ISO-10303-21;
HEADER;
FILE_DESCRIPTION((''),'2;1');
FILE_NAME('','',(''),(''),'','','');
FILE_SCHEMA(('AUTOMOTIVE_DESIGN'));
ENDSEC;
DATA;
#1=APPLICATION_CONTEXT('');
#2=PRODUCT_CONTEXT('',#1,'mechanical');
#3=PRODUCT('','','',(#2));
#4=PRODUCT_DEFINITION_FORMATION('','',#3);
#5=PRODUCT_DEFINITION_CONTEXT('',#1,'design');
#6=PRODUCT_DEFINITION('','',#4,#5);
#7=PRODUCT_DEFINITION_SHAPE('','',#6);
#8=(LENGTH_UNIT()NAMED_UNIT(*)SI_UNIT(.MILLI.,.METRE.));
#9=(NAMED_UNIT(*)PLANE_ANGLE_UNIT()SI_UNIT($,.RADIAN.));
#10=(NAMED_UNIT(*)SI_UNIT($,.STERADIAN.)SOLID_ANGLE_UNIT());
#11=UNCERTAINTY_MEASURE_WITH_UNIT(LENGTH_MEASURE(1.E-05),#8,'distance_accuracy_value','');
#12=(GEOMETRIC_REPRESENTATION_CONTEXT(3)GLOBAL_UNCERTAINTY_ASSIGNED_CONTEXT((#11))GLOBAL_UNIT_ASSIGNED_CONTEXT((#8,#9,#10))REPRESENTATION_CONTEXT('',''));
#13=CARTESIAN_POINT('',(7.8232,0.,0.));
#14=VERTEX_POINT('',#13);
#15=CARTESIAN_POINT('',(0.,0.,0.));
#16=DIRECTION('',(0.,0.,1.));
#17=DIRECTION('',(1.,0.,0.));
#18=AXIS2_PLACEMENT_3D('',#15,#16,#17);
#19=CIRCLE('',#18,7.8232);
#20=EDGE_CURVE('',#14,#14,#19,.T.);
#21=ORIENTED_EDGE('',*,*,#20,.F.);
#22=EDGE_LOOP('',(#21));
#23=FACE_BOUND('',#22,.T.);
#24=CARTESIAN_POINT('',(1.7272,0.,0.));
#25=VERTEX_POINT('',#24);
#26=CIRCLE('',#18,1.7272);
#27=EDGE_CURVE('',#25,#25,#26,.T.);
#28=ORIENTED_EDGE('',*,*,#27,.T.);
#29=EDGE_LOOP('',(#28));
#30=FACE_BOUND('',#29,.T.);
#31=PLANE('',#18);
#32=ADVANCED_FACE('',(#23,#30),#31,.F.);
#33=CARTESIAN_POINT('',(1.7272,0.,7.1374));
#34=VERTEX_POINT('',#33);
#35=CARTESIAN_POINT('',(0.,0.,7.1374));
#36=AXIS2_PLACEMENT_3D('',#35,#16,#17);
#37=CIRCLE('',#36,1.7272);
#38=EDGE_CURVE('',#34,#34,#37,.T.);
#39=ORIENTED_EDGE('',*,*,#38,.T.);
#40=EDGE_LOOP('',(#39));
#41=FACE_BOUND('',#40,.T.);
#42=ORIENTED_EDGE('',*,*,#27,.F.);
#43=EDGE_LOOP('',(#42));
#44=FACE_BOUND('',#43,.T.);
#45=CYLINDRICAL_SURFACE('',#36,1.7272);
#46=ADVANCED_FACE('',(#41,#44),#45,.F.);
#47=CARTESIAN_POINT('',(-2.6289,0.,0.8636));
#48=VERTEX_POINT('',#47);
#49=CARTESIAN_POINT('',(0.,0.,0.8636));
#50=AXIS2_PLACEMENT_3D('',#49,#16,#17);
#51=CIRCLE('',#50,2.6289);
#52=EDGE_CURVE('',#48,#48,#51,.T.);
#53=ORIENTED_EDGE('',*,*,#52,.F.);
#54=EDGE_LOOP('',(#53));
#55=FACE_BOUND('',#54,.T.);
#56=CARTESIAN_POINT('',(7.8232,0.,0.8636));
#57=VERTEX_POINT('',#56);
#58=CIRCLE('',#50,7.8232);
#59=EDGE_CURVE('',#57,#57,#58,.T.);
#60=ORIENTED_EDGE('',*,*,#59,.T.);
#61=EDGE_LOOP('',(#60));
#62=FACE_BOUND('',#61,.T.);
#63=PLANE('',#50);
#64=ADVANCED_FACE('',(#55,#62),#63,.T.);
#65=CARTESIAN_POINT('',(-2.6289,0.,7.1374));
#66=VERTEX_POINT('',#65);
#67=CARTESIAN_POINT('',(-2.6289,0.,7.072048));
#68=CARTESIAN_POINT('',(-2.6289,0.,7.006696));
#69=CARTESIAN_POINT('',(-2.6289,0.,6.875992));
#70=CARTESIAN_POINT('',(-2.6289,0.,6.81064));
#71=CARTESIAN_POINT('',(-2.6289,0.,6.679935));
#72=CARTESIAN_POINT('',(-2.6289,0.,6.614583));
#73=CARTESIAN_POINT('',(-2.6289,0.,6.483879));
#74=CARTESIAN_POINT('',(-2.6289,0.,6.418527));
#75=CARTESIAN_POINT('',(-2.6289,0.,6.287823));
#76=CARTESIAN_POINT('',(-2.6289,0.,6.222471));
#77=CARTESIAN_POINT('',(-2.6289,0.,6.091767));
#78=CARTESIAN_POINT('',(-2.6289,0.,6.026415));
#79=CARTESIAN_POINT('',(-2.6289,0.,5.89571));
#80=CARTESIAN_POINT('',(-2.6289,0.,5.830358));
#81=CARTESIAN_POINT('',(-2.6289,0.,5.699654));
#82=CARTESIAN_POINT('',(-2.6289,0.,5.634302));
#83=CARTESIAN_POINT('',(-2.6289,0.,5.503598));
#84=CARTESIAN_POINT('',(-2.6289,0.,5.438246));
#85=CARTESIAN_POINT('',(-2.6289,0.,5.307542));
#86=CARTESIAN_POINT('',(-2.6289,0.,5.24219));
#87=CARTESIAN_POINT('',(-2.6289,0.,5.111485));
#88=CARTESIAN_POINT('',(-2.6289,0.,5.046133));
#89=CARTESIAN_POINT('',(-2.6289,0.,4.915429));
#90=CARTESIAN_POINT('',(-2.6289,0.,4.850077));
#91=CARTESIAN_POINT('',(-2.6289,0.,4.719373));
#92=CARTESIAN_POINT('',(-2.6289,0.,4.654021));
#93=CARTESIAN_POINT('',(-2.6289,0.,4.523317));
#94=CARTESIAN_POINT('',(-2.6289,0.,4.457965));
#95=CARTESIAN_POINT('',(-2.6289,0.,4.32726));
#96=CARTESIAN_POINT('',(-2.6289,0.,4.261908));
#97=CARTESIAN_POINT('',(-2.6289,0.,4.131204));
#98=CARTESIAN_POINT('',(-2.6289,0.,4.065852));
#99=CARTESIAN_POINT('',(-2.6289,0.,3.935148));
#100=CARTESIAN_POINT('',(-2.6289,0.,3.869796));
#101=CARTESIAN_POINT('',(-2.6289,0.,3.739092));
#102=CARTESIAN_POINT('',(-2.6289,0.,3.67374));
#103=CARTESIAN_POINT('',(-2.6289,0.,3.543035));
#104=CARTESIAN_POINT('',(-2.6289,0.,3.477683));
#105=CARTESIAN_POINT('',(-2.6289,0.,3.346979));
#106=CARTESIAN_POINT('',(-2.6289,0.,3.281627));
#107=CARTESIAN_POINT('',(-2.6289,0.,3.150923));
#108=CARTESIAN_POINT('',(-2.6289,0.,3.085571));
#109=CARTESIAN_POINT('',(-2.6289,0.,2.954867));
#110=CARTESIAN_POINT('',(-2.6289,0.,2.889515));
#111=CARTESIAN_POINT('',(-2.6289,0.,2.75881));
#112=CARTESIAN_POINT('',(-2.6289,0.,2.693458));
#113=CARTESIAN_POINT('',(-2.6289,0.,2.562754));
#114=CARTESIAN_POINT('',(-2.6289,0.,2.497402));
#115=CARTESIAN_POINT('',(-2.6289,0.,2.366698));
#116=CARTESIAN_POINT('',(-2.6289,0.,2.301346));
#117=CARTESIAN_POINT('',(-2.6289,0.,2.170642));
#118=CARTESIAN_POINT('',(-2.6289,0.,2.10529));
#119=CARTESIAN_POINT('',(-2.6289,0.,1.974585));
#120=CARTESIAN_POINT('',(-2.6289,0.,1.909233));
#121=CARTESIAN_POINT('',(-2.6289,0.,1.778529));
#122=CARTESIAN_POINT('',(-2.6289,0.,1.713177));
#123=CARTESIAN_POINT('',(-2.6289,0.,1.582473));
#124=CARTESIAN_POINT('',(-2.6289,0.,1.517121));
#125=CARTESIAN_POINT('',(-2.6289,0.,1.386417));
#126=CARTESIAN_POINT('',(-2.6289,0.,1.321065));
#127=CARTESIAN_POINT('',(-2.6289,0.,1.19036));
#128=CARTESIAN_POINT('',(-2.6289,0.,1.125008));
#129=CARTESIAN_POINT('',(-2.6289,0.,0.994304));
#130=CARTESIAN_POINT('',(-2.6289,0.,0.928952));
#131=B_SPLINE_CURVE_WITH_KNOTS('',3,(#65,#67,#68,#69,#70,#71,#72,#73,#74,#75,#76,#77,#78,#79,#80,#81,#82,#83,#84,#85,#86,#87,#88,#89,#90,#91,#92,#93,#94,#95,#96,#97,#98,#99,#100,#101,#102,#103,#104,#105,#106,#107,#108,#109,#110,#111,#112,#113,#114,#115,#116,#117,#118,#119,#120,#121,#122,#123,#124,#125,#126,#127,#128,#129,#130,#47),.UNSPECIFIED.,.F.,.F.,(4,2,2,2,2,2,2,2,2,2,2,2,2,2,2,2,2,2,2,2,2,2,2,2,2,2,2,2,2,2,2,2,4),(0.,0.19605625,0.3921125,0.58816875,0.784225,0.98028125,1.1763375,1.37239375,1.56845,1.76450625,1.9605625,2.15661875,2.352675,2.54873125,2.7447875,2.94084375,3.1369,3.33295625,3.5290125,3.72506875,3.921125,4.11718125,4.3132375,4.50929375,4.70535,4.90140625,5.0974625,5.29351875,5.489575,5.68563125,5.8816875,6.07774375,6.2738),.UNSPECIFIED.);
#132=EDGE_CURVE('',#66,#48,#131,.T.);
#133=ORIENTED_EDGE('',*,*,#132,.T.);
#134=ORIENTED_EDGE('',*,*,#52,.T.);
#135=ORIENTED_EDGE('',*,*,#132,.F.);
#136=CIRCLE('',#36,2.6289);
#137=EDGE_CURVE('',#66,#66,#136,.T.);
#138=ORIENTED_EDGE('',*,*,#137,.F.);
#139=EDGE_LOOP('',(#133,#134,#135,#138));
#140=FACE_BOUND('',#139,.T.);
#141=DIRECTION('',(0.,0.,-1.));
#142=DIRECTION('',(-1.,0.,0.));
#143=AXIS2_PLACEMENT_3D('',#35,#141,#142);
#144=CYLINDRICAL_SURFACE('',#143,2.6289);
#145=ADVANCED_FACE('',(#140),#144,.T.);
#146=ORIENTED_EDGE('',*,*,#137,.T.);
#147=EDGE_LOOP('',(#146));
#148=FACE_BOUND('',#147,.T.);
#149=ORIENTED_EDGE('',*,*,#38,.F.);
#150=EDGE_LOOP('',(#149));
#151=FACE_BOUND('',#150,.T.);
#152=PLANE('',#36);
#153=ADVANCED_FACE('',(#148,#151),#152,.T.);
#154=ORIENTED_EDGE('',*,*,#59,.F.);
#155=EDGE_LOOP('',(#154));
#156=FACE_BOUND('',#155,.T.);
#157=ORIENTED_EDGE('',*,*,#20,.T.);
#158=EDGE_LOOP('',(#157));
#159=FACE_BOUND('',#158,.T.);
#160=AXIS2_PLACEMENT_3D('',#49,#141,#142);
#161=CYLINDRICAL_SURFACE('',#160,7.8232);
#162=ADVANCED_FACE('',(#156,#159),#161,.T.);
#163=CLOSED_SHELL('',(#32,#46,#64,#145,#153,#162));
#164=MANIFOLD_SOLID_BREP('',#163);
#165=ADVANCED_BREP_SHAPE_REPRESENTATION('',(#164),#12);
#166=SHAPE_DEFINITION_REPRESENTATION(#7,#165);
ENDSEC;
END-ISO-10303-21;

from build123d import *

# Parameters (mm, degrees)
SKETCH1_R                 = 7.8232
BOSS_EXTRUDE1_DEPTH       = 0.8636
SKETCH2_R                 = 2.6289
BOSS_EXTRUDE2_DEPTH       = 6.2738
TAP_DRILL_FOR_8_32_TAP1_D = 3.4544


with BuildPart() as part:
    # Sketch1 → Boss-Extrude1 (new body)
    with BuildSketch(Plane.XY):
        Circle(SKETCH1_R)
    extrude(amount=BOSS_EXTRUDE1_DEPTH)

    # Sketch2 → Boss-Extrude2 (add)
    with BuildSketch(Plane.XY.offset(0.8636)):
        with Locations(Location((0, 0, 0), (0, 0, 180))):
            Circle(SKETCH2_R)
    extrude(amount=BOSS_EXTRUDE2_DEPTH)

    # Tap Drill for #8-32 Tap1 (through all)
    with Locations(Plane.XY.offset(7.1374)):
        with Locations((0, 0)):
            Hole(TAP_DRILL_FOR_8_32_TAP1_D / 2)


solid = part.part
